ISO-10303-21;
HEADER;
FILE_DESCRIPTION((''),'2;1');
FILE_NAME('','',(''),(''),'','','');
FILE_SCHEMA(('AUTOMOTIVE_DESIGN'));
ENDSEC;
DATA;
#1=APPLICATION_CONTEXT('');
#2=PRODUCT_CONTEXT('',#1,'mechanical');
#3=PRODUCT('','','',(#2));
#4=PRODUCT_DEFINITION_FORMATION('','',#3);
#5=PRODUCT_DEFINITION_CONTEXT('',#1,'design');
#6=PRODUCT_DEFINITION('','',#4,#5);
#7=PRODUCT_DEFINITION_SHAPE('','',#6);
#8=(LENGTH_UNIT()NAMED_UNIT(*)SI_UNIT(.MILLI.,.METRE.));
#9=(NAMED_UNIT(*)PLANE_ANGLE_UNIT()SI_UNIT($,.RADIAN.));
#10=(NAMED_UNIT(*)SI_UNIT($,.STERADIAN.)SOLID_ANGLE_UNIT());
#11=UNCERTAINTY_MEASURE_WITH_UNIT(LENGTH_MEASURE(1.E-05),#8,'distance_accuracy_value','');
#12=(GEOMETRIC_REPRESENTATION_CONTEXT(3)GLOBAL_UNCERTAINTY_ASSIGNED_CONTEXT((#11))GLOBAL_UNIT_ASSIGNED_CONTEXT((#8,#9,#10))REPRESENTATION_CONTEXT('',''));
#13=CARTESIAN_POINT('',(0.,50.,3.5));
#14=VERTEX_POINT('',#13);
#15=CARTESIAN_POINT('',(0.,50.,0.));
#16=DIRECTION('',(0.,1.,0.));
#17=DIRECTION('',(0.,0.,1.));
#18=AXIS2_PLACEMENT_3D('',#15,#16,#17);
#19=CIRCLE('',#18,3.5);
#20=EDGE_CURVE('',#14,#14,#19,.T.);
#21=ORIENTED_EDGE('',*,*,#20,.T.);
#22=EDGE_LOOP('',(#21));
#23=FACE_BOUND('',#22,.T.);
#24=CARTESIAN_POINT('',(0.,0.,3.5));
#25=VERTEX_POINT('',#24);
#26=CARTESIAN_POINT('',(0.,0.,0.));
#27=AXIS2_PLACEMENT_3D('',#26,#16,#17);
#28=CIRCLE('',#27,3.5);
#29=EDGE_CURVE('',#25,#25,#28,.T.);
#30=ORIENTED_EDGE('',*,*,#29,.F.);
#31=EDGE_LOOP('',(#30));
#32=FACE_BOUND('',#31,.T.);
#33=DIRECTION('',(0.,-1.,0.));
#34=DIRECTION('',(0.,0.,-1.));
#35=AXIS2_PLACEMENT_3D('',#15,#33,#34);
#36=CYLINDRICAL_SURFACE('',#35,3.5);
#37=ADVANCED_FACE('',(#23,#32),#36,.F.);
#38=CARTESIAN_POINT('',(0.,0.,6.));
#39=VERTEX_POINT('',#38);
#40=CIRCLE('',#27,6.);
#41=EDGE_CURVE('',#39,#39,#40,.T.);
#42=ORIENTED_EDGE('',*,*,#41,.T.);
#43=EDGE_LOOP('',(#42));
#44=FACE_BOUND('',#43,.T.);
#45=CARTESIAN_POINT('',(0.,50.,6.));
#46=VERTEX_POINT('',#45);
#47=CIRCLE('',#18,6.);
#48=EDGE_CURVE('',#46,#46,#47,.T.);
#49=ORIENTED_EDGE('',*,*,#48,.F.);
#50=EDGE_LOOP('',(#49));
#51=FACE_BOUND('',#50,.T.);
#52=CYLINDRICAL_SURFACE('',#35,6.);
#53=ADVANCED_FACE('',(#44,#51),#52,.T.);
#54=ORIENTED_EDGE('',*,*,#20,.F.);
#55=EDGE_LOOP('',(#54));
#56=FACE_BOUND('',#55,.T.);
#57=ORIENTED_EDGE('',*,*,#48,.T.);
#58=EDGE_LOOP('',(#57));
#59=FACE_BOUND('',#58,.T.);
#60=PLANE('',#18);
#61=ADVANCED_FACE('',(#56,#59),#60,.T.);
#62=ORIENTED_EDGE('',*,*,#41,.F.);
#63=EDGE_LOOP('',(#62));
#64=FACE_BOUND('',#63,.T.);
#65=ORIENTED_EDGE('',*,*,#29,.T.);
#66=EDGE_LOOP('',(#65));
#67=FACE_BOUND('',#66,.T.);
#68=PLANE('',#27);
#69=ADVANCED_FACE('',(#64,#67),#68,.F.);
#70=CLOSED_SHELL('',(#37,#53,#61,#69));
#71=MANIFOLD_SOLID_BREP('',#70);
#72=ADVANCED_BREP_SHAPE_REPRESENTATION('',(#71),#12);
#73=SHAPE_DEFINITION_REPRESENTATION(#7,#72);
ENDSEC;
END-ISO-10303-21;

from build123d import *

# Parameters (mm, degrees)
SKETCH_1_R      = 6
SKETCH_1_R_2    = 3.5
EXTRUDE_1_DEPTH = 50


with BuildPart() as part:
    # Эскиз1 → Бобышка-Вытянуть1 (new body)
    with BuildSketch(Plane(origin=(0, 0, 0), x_dir=(1, 0, 0), z_dir=(0, 1, 0))):
        with Locations(Location((0, 0, 0), (0, 0, 270))):
            Circle(SKETCH_1_R)
        with Locations(Location((0, 0, 0), (0, 0, 270))):
            Circle(SKETCH_1_R_2, mode=Mode.SUBTRACT)
    extrude(amount=EXTRUDE_1_DEPTH)


solid = part.part
